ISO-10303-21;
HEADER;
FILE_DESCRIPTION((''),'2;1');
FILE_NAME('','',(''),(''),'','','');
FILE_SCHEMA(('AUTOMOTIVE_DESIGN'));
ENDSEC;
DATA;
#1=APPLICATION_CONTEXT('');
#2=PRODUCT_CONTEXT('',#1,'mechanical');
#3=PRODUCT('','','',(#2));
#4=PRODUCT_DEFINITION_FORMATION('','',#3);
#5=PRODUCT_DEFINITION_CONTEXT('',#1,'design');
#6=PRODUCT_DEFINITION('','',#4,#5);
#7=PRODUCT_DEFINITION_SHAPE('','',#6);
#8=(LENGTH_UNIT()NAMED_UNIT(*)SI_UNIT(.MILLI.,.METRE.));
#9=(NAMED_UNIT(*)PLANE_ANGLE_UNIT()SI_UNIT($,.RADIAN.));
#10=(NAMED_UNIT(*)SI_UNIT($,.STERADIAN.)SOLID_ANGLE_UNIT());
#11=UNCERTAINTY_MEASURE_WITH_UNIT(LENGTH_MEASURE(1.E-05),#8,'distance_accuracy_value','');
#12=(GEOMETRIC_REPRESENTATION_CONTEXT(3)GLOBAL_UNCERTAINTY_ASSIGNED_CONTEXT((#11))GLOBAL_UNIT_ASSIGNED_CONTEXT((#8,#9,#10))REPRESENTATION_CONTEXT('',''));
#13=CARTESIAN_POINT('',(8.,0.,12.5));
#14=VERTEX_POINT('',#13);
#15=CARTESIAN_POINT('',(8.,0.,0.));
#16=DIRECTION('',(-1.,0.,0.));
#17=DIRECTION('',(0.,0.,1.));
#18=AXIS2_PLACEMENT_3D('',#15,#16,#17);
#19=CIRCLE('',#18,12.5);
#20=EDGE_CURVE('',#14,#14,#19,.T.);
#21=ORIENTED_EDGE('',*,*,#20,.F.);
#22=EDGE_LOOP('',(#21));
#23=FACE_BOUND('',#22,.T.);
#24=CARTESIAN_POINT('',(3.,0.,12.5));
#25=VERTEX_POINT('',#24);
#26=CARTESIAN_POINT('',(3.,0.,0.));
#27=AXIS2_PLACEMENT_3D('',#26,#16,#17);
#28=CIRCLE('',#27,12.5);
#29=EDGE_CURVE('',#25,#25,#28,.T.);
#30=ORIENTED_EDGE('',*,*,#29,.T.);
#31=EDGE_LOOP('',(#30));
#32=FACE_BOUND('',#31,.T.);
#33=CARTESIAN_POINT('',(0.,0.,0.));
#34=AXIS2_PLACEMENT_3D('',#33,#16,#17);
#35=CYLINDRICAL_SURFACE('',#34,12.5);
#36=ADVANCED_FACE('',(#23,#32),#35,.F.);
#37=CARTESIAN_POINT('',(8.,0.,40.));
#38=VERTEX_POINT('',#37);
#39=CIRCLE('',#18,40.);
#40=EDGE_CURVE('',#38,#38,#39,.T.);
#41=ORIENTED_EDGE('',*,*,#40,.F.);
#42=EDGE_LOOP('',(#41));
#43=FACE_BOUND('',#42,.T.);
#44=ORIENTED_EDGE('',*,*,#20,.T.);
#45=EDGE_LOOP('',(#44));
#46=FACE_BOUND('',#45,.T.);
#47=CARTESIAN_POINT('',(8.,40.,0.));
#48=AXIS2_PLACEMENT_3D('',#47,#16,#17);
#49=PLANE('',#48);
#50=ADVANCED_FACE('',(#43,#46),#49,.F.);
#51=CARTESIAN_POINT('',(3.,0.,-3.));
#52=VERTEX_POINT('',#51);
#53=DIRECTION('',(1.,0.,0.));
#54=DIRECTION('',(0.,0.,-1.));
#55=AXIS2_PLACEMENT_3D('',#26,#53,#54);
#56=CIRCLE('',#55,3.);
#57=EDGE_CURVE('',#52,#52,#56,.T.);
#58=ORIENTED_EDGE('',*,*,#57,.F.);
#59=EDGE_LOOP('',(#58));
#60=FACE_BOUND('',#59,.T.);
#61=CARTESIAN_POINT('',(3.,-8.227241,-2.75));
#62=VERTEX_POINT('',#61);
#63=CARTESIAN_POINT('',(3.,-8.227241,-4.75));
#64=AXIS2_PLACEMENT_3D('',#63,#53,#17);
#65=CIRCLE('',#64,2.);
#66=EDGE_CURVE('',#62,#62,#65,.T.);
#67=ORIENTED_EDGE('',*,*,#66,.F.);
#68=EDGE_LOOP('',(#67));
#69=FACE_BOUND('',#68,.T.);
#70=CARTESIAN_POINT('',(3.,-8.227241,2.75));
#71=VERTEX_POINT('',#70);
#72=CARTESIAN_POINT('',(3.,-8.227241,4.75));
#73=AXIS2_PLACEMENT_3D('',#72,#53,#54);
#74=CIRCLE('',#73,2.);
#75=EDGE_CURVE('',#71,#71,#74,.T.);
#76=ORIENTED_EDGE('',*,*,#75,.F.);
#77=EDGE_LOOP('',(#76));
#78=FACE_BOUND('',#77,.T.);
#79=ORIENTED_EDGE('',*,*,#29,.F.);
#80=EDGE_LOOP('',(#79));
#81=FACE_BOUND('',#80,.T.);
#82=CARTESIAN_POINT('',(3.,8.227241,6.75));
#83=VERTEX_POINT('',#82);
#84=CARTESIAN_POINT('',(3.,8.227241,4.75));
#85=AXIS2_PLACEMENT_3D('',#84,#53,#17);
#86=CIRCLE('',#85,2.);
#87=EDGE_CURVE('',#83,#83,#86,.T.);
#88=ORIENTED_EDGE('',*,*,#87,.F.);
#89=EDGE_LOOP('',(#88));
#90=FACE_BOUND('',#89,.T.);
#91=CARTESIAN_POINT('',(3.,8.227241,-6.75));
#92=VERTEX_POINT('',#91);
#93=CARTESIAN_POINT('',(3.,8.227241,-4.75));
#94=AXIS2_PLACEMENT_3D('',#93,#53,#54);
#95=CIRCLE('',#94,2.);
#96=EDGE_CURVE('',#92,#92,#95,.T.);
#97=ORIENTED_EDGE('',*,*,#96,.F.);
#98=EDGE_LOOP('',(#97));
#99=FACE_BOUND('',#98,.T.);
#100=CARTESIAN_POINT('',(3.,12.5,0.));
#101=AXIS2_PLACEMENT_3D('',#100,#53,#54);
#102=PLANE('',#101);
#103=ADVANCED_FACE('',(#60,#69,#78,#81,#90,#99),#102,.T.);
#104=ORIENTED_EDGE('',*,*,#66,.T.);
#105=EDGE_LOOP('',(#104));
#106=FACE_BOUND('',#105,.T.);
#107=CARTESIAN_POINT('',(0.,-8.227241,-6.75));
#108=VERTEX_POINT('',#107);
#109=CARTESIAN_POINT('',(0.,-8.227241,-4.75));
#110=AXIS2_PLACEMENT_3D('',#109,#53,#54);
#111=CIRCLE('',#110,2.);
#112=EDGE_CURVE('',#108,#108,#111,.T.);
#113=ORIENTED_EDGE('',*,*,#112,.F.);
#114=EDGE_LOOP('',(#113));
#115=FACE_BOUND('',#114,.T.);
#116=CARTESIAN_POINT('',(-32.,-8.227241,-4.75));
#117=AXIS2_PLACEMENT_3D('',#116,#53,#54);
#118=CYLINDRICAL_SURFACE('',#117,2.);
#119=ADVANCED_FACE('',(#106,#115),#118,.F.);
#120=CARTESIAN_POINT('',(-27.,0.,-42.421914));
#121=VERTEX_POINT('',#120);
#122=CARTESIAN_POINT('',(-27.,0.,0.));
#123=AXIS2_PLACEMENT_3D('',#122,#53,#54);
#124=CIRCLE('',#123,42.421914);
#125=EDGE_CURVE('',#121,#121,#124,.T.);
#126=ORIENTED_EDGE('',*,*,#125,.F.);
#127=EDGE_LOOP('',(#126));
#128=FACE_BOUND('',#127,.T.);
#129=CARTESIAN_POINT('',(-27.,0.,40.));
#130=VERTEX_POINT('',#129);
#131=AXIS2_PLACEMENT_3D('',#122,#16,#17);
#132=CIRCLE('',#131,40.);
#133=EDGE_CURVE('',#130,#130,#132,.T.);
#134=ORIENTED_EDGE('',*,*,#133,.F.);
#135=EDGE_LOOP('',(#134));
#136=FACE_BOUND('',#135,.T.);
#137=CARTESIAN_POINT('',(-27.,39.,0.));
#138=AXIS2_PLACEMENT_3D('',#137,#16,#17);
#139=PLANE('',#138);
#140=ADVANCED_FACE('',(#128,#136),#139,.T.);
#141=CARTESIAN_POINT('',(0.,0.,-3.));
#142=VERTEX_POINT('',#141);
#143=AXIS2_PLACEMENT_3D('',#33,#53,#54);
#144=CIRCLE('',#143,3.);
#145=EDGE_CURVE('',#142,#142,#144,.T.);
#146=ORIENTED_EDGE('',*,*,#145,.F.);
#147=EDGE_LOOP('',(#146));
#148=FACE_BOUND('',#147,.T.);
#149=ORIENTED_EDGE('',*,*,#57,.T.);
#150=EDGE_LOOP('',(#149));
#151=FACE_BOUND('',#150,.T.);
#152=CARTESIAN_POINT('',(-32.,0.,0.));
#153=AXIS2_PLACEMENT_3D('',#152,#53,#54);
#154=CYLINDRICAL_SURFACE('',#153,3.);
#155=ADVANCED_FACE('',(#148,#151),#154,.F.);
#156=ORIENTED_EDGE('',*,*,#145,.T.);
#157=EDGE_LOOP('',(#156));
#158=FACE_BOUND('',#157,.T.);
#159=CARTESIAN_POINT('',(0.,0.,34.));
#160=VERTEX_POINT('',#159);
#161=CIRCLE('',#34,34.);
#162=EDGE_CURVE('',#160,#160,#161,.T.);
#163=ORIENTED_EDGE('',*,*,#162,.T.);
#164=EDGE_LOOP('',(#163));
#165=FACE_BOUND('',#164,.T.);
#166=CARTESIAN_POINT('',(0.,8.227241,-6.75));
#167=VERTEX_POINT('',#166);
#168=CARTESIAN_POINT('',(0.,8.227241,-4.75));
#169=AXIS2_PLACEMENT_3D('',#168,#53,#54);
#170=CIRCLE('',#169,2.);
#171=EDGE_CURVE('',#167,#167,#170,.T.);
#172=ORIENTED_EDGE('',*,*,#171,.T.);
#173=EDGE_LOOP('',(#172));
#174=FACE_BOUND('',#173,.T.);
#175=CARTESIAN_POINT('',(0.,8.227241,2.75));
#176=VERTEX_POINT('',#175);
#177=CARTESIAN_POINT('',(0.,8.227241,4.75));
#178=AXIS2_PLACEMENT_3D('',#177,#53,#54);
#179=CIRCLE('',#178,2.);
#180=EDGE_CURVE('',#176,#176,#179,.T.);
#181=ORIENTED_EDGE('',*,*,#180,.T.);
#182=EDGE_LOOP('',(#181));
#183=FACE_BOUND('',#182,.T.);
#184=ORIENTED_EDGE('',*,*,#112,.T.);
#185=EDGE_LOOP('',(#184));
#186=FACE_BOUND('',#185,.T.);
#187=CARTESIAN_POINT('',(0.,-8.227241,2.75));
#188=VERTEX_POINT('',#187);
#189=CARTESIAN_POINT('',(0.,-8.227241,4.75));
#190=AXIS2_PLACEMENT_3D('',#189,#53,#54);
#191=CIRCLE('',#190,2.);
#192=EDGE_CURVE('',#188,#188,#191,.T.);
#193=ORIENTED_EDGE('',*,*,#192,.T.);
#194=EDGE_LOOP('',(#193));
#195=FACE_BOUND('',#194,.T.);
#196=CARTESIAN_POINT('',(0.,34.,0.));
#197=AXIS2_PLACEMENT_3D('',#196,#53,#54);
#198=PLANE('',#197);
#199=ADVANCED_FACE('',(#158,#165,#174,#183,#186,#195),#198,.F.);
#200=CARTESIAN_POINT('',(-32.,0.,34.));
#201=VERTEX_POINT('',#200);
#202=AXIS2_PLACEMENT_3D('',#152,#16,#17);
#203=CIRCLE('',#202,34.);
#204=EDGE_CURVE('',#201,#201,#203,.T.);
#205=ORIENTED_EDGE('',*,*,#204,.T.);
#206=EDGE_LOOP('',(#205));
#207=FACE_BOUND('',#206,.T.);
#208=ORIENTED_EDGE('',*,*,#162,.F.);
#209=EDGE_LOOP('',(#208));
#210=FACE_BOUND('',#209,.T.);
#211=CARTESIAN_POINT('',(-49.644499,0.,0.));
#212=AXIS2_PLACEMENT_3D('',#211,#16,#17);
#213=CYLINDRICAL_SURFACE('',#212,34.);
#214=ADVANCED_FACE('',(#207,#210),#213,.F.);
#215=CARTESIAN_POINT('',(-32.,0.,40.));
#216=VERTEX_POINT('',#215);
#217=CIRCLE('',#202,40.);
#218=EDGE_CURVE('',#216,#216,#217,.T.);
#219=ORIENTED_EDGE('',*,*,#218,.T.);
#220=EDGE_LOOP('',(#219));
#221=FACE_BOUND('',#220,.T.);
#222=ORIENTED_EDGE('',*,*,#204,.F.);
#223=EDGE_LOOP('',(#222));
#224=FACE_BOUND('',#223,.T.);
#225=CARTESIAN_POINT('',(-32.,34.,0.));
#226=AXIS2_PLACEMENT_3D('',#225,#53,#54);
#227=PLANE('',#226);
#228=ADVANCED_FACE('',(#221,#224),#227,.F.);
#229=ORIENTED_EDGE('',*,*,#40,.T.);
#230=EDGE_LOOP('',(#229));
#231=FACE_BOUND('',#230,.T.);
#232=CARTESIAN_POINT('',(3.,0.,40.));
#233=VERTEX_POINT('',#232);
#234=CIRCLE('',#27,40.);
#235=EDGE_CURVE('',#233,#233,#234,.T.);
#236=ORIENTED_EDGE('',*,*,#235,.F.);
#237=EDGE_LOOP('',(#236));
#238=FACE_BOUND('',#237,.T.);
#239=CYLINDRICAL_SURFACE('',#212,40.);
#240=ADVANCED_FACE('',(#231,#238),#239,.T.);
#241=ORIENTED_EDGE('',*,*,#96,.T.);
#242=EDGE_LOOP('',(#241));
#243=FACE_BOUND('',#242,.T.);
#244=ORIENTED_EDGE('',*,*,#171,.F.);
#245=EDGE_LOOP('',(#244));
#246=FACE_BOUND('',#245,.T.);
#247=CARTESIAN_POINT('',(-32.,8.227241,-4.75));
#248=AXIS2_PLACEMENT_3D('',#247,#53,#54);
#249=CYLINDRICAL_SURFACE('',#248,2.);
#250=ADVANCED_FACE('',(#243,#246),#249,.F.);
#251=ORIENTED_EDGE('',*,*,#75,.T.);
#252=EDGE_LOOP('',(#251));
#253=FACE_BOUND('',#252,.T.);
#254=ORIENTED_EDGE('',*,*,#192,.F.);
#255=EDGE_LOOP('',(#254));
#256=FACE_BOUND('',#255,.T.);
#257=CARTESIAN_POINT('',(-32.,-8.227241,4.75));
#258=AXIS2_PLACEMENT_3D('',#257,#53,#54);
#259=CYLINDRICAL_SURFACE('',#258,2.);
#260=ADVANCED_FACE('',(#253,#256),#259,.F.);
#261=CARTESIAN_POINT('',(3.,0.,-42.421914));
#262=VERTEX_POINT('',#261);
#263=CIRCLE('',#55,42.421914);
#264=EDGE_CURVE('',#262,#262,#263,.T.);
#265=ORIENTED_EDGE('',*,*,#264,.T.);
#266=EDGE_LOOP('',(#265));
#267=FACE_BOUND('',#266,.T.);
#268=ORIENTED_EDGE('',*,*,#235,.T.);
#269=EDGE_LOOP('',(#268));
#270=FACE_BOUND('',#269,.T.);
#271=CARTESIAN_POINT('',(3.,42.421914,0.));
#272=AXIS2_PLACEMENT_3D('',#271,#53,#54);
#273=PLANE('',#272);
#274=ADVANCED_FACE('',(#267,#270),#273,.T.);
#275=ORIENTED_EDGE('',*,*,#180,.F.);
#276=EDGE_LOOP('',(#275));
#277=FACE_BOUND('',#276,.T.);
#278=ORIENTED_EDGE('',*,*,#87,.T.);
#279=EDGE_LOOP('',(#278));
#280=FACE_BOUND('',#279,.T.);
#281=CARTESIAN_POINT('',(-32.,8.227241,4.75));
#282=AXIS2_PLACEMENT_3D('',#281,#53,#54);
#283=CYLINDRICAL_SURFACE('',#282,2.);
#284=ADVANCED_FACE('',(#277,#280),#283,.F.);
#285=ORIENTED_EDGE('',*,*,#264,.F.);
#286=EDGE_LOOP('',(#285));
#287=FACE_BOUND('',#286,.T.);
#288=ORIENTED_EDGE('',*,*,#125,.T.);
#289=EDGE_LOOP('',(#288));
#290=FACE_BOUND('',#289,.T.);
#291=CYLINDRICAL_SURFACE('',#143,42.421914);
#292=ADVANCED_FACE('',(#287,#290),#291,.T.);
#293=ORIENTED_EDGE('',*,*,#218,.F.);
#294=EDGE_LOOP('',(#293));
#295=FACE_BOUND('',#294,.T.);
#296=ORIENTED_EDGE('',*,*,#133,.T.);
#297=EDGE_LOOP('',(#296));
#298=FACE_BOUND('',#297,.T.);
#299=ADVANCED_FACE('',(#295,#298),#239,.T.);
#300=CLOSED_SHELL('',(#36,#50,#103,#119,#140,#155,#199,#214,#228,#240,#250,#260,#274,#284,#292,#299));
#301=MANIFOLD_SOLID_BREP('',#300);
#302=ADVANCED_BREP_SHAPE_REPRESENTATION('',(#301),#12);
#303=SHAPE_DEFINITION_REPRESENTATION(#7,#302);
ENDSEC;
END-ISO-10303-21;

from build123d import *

# Parameters (mm, degrees)
ESQUISSE2_W             = 5
ESQUISSE2_H             = 12.5
ESQUISSE3_R             = 2
ENL_V_MAT_EXTRU_1_DEPTH = 36
ESQUISSE4_R             = 3
ENL_V_MAT_EXTRU_2_DEPTH = 36
ESQUISSE5_W             = 30
ESQUISSE5_H             = 3.421913798


with BuildPart() as part:
    # Esquisse1 → Révolution1 (revolve)
    with BuildSketch(Plane.XY):
        Polygon((0, 34), (0, 0), (8, 0), (8, 40), (3, 40), (3, 39), (-27, 39), (-27, 40), (-32, 40), (-32, 34), align=None)
    revolve(axis=Axis((-49.644499027, 0, 0), (1, 0, 0)))

    # Esquisse2 → Enlèvement de matière-Révolution1 (revolve, cut)
    with BuildSketch(Plane.XY):
        with Locations((5.5, 6.25)):
            Rectangle(ESQUISSE2_W, ESQUISSE2_H)
    revolve(axis=Axis((0, 0, 0), (1, 0, 0)), mode=Mode.SUBTRACT)

    # Esquisse3 → Enlèv. mat.-Extru.1 (cut, through all)
    with BuildSketch(Plane(origin=(3, 0, 0), x_dir=(0, 0, -1), z_dir=(1, 0, 0))):
        with Locations((4.75, 8.227241336)):
            Circle(ESQUISSE3_R)
        with Locations((-4.75, 8.227241336)):
            Circle(ESQUISSE3_R)
        with Locations((4.75, -8.227241336)):
            Circle(ESQUISSE3_R)
        with Locations((-4.75, -8.227241336)):
            Circle(ESQUISSE3_R)
    extrude(amount=-ENL_V_MAT_EXTRU_1_DEPTH, mode=Mode.SUBTRACT)

    # Esquisse4 → Enlèv. mat.-Extru.2 (cut, through all)
    with BuildSketch(Plane(origin=(3, 0, 0), x_dir=(0, 0, -1), z_dir=(1, 0, 0))):
        Circle(ESQUISSE4_R)
    extrude(amount=-ENL_V_MAT_EXTRU_2_DEPTH, mode=Mode.SUBTRACT)

    # Esquisse5 → Révolution2 (revolve)
    with BuildSketch(Plane.XY):
        with Locations((-12, 40.710956899)):
            Rectangle(ESQUISSE5_W, ESQUISSE5_H)
    revolve(axis=Axis((0, 0, 0), (-1, 0, 0)))


solid = part.part
